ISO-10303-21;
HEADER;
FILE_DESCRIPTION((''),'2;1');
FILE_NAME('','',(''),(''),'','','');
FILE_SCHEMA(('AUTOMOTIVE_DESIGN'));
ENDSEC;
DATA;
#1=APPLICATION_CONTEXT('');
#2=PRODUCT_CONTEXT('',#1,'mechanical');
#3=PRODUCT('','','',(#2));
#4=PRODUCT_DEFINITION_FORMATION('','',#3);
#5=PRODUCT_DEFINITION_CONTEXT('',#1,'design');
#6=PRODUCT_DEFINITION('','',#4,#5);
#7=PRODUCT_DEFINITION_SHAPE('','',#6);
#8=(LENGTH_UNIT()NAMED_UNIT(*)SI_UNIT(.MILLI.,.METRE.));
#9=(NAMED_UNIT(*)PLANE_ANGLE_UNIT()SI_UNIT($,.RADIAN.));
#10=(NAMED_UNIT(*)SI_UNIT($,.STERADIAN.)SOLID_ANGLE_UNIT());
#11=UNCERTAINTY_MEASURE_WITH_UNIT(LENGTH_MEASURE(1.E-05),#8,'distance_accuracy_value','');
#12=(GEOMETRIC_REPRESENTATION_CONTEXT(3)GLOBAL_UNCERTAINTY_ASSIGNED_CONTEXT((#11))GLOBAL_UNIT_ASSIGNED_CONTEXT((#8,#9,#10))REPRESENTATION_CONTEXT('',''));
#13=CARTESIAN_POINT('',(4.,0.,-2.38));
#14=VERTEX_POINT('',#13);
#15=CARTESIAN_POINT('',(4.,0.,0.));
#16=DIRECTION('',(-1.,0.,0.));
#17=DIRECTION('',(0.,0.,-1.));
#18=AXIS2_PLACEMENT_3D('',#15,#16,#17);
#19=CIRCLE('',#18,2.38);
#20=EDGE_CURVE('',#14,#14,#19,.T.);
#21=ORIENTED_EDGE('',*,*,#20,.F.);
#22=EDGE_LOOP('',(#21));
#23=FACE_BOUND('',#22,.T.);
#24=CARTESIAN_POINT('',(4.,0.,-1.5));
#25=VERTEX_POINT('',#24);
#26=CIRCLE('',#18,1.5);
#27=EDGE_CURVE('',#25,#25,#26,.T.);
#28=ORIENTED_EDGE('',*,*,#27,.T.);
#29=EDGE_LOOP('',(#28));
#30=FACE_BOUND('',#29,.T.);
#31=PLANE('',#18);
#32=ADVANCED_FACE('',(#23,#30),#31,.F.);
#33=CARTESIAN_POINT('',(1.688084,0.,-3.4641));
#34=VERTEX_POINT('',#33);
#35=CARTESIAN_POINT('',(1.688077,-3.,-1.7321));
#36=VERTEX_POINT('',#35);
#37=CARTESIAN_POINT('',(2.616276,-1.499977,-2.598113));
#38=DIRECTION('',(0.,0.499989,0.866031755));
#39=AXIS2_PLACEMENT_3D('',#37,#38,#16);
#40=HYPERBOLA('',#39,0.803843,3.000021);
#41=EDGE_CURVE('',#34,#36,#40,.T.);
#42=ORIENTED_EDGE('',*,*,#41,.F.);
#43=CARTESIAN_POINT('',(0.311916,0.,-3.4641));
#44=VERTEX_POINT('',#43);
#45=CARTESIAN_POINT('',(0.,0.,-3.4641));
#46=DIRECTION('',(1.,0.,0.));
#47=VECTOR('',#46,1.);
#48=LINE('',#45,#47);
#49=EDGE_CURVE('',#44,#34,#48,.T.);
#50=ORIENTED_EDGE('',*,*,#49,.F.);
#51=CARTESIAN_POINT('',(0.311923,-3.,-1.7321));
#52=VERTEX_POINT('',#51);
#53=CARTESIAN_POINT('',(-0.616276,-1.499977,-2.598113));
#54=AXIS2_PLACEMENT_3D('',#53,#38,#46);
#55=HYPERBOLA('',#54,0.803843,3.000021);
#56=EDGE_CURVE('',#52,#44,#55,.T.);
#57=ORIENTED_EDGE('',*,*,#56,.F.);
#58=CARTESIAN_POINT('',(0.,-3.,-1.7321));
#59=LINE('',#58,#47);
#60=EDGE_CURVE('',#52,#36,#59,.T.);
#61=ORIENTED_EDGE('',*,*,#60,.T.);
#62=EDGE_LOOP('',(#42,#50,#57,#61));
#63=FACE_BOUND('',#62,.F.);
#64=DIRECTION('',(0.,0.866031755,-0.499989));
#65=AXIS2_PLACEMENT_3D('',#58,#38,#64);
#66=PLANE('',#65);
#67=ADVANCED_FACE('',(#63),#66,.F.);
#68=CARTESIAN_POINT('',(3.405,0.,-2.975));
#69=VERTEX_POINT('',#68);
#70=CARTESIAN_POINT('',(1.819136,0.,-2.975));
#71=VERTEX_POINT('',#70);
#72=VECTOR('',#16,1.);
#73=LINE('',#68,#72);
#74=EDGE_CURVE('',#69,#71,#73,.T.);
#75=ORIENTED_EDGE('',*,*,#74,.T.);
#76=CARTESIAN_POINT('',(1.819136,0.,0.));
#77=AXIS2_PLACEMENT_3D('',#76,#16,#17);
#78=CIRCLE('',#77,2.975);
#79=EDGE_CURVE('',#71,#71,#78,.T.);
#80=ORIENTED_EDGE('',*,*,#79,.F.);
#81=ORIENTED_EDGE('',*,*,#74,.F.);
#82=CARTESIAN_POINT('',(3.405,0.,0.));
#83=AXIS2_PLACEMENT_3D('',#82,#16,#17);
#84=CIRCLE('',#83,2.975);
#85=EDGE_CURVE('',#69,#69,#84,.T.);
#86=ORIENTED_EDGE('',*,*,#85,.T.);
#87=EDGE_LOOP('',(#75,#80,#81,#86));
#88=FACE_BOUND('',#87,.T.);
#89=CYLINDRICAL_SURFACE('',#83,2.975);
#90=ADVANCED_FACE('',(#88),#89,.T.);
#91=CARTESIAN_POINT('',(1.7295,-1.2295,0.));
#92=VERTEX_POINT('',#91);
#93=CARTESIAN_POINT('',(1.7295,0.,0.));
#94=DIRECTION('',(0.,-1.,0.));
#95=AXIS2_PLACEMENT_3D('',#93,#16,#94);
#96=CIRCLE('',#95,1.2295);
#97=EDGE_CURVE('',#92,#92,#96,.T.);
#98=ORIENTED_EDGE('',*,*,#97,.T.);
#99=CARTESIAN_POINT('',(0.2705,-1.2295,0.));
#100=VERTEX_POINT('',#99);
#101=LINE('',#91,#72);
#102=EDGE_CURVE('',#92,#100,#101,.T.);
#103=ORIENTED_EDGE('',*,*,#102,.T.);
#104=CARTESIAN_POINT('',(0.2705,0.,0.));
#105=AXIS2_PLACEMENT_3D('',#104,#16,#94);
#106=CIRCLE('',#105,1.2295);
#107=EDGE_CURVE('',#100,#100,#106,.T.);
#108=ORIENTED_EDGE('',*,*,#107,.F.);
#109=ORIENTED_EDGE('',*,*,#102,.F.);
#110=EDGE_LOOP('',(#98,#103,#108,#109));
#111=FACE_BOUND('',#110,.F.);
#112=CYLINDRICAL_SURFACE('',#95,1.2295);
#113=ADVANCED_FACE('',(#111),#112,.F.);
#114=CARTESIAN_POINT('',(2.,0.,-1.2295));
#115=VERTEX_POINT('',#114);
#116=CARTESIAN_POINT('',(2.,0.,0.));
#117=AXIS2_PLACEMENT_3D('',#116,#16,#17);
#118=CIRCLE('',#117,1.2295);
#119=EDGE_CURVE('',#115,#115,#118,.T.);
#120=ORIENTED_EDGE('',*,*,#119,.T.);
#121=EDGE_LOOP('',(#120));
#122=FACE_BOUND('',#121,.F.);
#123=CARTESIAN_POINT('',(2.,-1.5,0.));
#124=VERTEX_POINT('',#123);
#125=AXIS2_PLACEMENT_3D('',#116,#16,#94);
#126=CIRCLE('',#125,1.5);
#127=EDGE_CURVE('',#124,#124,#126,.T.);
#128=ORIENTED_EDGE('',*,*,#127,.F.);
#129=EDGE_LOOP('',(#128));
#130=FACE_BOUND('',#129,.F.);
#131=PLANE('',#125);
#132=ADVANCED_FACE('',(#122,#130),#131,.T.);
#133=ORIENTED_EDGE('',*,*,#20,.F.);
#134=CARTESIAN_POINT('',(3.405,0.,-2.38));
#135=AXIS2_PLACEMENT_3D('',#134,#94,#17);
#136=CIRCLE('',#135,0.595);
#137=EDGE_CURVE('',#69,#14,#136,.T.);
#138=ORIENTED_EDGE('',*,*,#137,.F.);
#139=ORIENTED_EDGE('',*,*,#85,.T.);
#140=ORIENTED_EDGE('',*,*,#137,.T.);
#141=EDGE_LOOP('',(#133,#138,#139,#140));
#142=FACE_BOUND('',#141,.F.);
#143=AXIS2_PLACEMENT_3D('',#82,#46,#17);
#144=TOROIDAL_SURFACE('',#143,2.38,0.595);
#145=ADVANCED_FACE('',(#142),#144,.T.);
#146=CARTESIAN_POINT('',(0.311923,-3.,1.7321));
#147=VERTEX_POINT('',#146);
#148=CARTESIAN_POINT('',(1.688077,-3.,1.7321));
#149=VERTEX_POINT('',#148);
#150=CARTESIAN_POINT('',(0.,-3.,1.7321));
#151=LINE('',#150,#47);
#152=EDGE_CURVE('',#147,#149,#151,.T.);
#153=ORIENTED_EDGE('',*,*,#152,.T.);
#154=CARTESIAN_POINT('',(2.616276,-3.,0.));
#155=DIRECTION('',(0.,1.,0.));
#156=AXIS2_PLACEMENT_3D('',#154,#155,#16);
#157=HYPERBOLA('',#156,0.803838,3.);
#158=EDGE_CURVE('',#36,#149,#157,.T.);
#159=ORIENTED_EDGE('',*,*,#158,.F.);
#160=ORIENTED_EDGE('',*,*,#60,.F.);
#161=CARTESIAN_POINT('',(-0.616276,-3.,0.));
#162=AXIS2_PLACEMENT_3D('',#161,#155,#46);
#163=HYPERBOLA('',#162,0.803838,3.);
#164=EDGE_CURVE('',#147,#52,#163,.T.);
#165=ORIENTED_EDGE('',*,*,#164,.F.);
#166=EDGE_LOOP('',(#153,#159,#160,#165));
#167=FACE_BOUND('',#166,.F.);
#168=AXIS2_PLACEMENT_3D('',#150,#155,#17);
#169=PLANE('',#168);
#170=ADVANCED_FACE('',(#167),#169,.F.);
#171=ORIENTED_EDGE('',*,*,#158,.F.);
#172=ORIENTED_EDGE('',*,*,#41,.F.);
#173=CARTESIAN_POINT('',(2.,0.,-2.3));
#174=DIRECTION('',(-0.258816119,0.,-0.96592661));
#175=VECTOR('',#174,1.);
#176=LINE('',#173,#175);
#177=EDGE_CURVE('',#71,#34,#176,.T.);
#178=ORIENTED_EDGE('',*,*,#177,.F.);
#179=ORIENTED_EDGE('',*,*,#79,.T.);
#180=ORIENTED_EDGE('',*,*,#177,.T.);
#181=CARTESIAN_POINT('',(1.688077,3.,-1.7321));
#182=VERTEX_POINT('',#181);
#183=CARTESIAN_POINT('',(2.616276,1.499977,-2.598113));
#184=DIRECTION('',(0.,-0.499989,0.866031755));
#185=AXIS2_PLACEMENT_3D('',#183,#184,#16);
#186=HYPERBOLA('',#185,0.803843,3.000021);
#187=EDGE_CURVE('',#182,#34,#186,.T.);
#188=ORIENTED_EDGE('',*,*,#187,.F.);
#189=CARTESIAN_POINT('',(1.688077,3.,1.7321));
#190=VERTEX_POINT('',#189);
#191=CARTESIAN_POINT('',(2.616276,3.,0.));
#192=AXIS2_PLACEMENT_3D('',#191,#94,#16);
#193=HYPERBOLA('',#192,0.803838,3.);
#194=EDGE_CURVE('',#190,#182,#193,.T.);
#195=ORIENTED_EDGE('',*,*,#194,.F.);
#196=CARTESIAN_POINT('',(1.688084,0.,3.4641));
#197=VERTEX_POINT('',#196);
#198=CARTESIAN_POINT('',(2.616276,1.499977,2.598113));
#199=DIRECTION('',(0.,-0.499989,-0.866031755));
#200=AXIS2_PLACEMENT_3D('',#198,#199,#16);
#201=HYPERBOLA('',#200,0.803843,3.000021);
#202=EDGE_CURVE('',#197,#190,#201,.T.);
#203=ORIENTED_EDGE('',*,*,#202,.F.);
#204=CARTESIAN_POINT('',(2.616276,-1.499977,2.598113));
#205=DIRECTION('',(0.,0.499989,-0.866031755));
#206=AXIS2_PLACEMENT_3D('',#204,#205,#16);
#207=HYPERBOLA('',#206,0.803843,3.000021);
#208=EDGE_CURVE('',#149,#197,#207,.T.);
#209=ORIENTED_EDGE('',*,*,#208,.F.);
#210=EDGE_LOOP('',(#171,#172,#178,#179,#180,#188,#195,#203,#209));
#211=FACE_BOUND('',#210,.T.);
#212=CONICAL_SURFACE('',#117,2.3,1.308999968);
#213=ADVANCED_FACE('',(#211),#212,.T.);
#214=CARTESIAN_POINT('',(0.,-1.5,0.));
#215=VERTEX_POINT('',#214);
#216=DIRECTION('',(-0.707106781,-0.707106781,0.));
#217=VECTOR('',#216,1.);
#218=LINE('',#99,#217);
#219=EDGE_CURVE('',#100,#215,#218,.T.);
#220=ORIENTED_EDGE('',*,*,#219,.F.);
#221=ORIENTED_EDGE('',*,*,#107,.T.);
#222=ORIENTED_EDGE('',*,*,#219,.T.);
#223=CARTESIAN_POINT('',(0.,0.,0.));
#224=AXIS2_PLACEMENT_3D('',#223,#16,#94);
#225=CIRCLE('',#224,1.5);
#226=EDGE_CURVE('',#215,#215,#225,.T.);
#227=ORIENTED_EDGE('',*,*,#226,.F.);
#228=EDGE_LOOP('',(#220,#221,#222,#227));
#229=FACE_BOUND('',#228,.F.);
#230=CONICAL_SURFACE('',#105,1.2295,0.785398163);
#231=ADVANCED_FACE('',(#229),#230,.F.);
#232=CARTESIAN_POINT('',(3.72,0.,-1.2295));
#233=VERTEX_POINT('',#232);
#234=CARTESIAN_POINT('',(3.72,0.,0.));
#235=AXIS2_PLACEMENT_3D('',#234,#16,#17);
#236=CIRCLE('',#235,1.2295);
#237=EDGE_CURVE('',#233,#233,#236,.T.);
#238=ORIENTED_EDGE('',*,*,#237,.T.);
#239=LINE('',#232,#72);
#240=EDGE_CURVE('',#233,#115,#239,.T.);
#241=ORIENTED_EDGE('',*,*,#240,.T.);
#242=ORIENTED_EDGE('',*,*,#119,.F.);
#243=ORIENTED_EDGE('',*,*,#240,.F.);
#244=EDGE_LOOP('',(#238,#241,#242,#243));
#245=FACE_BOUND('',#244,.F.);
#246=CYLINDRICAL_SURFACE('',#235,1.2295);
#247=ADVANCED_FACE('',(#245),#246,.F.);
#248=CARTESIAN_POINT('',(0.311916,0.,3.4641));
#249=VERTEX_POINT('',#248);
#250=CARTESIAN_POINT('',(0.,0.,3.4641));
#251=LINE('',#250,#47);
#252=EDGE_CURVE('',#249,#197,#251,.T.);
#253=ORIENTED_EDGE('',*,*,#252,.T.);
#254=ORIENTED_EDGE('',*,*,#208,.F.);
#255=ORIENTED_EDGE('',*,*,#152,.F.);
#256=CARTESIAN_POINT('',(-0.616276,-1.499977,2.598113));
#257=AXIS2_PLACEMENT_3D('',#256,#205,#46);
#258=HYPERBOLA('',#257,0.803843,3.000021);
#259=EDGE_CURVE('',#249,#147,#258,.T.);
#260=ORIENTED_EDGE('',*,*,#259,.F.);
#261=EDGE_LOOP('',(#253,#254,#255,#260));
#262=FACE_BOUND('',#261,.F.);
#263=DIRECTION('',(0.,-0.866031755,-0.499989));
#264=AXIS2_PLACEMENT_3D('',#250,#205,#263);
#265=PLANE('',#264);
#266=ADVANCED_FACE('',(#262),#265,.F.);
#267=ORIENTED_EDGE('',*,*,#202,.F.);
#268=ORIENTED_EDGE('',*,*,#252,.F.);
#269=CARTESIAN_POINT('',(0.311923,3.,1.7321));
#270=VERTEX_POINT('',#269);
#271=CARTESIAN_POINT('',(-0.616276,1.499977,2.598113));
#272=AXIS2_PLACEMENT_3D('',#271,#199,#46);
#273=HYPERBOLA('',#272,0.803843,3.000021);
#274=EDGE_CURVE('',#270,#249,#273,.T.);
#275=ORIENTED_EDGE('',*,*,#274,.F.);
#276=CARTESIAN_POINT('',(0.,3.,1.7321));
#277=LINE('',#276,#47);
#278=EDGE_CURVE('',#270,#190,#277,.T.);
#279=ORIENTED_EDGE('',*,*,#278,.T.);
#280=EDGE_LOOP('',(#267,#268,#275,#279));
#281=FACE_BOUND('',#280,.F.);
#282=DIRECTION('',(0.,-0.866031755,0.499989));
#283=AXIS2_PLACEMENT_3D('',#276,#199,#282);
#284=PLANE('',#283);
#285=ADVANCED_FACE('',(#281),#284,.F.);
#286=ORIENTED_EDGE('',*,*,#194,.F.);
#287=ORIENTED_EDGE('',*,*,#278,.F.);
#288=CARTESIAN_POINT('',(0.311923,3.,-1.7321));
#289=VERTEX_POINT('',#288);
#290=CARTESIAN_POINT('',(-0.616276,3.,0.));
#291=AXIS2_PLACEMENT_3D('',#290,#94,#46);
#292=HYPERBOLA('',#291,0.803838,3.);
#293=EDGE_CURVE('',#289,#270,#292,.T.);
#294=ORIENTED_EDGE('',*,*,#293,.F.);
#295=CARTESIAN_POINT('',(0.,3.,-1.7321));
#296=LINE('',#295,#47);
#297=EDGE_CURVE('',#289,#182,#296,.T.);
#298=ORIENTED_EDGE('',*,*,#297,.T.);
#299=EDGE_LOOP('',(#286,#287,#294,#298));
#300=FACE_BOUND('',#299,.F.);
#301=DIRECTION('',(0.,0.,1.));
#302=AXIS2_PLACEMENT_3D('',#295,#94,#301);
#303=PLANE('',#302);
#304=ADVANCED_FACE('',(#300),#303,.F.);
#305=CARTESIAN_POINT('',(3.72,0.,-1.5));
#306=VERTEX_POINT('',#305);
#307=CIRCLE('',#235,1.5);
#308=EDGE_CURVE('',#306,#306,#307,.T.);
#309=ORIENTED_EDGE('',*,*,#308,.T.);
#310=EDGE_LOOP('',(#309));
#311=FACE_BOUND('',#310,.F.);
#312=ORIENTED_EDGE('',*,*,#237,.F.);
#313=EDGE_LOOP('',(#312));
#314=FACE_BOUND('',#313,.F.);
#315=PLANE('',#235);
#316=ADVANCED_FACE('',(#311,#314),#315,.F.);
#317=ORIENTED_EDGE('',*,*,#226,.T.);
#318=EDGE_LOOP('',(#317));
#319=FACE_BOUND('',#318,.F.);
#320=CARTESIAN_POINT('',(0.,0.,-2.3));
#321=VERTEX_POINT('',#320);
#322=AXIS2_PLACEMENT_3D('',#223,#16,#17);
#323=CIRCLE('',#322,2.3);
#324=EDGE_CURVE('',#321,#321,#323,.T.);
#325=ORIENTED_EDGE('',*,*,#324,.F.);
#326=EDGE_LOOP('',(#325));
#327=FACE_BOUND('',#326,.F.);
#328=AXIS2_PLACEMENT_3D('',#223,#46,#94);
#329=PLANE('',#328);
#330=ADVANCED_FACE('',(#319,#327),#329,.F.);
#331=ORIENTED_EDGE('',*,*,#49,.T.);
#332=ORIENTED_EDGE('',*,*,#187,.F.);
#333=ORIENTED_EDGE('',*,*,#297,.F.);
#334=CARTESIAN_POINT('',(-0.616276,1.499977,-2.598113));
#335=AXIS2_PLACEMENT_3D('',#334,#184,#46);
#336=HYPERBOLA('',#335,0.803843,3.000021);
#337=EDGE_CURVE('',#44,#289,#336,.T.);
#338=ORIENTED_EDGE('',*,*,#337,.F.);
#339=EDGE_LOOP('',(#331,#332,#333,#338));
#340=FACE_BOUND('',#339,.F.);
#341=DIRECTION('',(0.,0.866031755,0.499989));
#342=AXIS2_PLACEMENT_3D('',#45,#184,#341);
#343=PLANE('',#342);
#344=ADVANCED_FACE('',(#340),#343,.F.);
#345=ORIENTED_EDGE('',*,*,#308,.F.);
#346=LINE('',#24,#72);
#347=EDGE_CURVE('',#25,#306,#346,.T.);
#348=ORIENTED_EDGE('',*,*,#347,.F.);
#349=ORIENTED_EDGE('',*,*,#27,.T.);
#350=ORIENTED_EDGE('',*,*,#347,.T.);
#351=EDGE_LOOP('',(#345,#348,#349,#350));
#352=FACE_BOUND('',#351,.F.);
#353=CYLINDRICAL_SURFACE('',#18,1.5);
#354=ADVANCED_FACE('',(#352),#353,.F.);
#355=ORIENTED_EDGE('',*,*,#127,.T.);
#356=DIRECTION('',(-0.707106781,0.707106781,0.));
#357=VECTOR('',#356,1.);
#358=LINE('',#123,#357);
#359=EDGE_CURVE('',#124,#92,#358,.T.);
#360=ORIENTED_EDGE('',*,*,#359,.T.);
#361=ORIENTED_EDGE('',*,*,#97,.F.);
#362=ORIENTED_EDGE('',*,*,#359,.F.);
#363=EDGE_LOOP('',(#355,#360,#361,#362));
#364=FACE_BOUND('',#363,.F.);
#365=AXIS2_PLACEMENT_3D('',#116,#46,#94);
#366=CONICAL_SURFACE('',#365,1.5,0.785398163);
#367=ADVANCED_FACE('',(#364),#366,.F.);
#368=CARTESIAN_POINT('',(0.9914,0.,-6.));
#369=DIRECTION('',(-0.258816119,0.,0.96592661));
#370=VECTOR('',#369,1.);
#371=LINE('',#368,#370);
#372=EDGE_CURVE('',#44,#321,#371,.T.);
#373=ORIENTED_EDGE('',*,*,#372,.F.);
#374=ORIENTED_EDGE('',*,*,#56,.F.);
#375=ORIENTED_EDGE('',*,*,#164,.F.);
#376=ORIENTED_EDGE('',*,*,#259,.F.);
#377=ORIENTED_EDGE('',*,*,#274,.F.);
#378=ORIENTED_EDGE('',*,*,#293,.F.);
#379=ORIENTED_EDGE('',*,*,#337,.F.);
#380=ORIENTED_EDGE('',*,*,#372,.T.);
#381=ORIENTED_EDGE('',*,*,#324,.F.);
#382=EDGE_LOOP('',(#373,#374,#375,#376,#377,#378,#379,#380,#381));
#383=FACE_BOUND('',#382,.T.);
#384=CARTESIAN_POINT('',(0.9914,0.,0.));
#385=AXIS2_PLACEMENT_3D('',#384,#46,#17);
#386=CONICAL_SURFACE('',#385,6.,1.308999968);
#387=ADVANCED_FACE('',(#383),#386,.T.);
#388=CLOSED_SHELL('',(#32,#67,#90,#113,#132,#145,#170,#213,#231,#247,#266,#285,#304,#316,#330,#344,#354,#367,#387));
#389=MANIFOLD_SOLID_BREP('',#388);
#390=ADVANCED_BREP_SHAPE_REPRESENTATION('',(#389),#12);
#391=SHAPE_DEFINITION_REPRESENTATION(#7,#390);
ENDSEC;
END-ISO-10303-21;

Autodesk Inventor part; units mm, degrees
ref_plane "YZ Plane" through (0, 0, 0) normal (1, 0, 0) x (0, 1, 0)
ref_plane "XZ Plane" through (0, 0, 0) normal (0, 1, 0) x (-1, 0, 0)
ref_plane "XY Plane" through (0, 0, 0) normal (0, 0, 1) x (1, 0, 0)
sketch "Sketch_1" plane through (0, 0, 0) normal (1, 0, 0) x (0, -1, 0)
  line L0 (-3, -1.7321) -> (0, -3.4641)
  line L1 (0, -3.4641) -> (3, -1.7321)
  line L2 (3, -1.7321) -> (3, 1.7321)
  line L3 (3, 1.7321) -> (0, 3.4641)
  line L4 (0, 3.4641) -> (-3, 1.7321)
  line L5 (-3, 1.7321) -> (-3, -1.7321)
extrude "Extrusion1" add sketch "Sketch_1" along normal blind 2
sketch "Sketch_2" plane through (0, 0, 0) normal (0, -1, 0) x (0, 0, -1)
  line L0 (0, -50) -> (0, 50)
  line L1 (2.3, 0) -> (6, 0)
  line L2 (6, 0) -> (6, 0.9914)
  line L3 (6, 0.9914) -> (2.3, 0)
revolve "Revolution1" cut sketch "Sketch_2" angle 360 about axis through (-50, 0, 0) along (-1, 0, 0)
sketch "Sketch_3" plane through (0, 0, 0) normal (0, -1, 0) x (0, 0, -1)
  line L0 (0, -50) -> (0, 50)
  line L1 (2.3, 2) -> (6, 1.0086)
  line L2 (6, 1.0086) -> (6, 2)
  line L3 (6, 2) -> (2.3, 2)
revolve "Revolution2" cut sketch "Sketch_3" angle 360 about axis through (-50, 0, 0) along (-1, 0, 0)
sketch "Sketch_4" plane through (0, 0, 0) normal (0, -1, 0) x (0, 0, -1)
  line L0 (0, -200) -> (0, 200)
  line L1 (0, 4) -> (2.38, 4)
  arc A0 (2.975, 3.405) -> (2.38, 4) centre (2.38, 3.405) ccw
  line L2 (2.975, 3.405) -> (2.975, 1.7543)
  line L3 (2.975, 1.7543) -> (0, 1.7543)
  line L4 (0, 1.7543) -> (0, 4)
revolve "Revolution3" add sketch "Sketch_4" angle 360 about axis through (-200, 0, 0) along (-1, 0, 0)
sketch "Sketch_5" plane through (0, 0, 0) normal (0, 0, 1) x (0, -1, 0)
  line L0 (0, -200) -> (0, 200)
  line L1 (0, 2) -> (1.5, 2)
  line L2 (1.5, 2) -> (1.2295, 1.7295)
  line L3 (1.2295, 1.7295) -> (1.2295, 0.2705)
  line L4 (1.2295, 0.2705) -> (1.5, 0)
  line L5 (1.5, 0) -> (0, 0)
  line L6 (0, 0) -> (0, 2)
revolve "Revolution4" cut sketch "Sketch_5" angle 360 about axis through (-200, 0, 0) along (-1, 0, 0)
thread "Thread1" size "M3x0.5" class "6H" standard "ISO Metric profile" full length
sketch "Sketch6" plane through (4, 0, 0) normal (1, 0, 0) x (0, 0, -1)
  point P0 (0, 0)
hole "Hole1" at (4, 0, 0) direction (-1, 0, 0) diameter 2.459 depth 2 counterbore diameter 3 counterbore depth 0.28
properties part number "652203A2"
